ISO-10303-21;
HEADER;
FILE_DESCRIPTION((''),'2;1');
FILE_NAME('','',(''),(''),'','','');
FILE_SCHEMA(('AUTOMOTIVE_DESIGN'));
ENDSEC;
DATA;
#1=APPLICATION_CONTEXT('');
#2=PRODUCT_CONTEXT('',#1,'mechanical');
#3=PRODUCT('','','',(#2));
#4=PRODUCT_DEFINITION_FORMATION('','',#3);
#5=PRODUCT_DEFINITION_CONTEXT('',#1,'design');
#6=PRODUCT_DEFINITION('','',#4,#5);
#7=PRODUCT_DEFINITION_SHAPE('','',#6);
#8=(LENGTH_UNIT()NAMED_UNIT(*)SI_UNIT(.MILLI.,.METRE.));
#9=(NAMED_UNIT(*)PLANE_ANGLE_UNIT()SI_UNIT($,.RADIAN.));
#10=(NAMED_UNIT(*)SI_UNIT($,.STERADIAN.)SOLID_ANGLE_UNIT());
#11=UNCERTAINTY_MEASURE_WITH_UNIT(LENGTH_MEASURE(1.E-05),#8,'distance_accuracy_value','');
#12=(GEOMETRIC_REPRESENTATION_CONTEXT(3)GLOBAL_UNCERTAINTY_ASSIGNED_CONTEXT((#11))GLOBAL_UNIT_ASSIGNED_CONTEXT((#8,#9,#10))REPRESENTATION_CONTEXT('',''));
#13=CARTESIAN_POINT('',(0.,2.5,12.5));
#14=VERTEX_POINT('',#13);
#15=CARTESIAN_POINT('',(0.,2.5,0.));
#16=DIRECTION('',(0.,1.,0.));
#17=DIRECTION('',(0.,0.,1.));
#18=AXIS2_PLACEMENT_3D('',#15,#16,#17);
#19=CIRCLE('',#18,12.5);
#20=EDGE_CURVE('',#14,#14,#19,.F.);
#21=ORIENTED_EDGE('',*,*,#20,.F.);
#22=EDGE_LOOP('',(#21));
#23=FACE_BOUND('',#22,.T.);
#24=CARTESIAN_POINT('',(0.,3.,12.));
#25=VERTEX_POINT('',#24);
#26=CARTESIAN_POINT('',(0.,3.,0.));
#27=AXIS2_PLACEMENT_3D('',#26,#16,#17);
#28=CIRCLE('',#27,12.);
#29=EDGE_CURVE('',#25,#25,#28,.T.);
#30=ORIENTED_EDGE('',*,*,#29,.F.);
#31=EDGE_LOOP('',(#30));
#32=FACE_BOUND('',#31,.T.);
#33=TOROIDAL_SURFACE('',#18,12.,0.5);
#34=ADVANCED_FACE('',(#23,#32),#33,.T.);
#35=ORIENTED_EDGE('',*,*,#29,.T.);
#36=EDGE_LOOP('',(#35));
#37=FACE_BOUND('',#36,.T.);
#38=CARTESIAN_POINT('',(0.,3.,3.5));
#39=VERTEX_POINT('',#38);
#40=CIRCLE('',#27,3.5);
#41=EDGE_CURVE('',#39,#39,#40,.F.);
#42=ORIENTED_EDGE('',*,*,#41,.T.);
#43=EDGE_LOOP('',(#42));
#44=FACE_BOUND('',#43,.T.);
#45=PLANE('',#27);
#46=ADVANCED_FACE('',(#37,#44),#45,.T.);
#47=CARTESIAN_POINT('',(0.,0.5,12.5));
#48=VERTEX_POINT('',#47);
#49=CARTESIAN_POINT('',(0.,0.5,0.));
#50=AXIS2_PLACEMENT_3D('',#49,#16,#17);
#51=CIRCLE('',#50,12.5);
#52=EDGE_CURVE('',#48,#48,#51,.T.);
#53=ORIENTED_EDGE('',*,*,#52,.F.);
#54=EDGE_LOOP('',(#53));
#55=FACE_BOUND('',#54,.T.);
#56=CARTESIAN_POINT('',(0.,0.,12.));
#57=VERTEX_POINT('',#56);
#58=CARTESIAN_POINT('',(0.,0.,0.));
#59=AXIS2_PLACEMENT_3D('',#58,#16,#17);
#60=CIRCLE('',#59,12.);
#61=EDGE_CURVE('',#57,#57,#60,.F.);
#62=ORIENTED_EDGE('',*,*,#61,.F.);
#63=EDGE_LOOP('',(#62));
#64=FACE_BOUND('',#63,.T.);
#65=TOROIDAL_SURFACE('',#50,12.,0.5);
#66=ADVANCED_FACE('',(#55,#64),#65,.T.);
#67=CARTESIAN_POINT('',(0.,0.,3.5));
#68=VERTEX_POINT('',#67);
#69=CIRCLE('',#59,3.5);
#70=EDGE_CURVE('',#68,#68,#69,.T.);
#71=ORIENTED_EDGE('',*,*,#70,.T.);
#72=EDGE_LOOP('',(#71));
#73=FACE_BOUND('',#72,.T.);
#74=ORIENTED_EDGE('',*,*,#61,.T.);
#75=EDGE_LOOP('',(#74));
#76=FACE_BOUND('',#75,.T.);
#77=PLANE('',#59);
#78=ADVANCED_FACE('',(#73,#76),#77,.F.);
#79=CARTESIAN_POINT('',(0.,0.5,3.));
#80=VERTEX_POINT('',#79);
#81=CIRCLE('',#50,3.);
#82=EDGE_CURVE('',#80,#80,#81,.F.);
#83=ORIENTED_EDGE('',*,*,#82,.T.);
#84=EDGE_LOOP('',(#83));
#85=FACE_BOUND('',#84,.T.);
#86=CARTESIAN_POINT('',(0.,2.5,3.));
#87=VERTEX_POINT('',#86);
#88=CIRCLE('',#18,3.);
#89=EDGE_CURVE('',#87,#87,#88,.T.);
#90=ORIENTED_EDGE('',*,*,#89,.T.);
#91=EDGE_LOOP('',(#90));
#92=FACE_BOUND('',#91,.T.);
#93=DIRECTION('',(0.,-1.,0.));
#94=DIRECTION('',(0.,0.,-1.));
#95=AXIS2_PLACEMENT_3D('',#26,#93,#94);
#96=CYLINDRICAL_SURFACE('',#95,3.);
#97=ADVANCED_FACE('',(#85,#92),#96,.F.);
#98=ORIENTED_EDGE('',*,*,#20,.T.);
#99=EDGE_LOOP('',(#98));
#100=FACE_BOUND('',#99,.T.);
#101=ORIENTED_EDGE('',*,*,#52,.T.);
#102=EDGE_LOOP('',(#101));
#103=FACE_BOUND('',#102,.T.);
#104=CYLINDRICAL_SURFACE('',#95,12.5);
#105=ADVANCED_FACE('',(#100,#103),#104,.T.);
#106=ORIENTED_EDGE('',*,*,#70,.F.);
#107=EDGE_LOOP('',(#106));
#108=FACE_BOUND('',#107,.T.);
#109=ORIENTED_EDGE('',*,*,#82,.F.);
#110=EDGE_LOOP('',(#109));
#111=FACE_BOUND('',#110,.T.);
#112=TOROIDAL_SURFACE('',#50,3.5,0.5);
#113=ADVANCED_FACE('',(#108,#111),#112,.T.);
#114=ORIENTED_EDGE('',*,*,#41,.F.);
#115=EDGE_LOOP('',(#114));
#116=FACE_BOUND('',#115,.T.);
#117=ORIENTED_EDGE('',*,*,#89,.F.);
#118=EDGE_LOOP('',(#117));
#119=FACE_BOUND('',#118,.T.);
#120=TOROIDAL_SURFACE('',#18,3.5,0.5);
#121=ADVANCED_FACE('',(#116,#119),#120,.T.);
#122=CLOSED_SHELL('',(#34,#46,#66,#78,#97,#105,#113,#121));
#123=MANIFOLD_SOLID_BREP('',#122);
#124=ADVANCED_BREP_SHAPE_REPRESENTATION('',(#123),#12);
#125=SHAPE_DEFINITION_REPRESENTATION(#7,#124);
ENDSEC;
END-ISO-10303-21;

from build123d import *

# Parameters (mm, degrees)
CROQUIS1_R              = 12.5
CROQUIS1_R_2            = 3
SALIENTE_EXTRUIR1_DEPTH = 3
REDONDEO1_R             = 0.5


with BuildPart() as part:
    # Croquis1 → Saliente-Extruir1 (new body)
    with BuildSketch(Plane(origin=(0, 0, 0), x_dir=(1, 0, 0), z_dir=(0, 1, 0))):
        with Locations(Location((0, 0, 0), (0, 0, 270))):
            Circle(CROQUIS1_R)
        with Locations(Location((0, 0, 0), (0, 0, 270))):
            Circle(CROQUIS1_R_2, mode=Mode.SUBTRACT)
    extrude(amount=SALIENTE_EXTRUIR1_DEPTH)

    # Redondeo1
    redondeo1_edges = [part.edges().sort_by_distance(p)[0] for p in [
        (0, 0, -12.5),
        (0, 3, -12.5),
        (0, 0, -3),
        (0, 3, -3),
    ]]
    fillet(redondeo1_edges, radius=REDONDEO1_R)


solid = part.part
